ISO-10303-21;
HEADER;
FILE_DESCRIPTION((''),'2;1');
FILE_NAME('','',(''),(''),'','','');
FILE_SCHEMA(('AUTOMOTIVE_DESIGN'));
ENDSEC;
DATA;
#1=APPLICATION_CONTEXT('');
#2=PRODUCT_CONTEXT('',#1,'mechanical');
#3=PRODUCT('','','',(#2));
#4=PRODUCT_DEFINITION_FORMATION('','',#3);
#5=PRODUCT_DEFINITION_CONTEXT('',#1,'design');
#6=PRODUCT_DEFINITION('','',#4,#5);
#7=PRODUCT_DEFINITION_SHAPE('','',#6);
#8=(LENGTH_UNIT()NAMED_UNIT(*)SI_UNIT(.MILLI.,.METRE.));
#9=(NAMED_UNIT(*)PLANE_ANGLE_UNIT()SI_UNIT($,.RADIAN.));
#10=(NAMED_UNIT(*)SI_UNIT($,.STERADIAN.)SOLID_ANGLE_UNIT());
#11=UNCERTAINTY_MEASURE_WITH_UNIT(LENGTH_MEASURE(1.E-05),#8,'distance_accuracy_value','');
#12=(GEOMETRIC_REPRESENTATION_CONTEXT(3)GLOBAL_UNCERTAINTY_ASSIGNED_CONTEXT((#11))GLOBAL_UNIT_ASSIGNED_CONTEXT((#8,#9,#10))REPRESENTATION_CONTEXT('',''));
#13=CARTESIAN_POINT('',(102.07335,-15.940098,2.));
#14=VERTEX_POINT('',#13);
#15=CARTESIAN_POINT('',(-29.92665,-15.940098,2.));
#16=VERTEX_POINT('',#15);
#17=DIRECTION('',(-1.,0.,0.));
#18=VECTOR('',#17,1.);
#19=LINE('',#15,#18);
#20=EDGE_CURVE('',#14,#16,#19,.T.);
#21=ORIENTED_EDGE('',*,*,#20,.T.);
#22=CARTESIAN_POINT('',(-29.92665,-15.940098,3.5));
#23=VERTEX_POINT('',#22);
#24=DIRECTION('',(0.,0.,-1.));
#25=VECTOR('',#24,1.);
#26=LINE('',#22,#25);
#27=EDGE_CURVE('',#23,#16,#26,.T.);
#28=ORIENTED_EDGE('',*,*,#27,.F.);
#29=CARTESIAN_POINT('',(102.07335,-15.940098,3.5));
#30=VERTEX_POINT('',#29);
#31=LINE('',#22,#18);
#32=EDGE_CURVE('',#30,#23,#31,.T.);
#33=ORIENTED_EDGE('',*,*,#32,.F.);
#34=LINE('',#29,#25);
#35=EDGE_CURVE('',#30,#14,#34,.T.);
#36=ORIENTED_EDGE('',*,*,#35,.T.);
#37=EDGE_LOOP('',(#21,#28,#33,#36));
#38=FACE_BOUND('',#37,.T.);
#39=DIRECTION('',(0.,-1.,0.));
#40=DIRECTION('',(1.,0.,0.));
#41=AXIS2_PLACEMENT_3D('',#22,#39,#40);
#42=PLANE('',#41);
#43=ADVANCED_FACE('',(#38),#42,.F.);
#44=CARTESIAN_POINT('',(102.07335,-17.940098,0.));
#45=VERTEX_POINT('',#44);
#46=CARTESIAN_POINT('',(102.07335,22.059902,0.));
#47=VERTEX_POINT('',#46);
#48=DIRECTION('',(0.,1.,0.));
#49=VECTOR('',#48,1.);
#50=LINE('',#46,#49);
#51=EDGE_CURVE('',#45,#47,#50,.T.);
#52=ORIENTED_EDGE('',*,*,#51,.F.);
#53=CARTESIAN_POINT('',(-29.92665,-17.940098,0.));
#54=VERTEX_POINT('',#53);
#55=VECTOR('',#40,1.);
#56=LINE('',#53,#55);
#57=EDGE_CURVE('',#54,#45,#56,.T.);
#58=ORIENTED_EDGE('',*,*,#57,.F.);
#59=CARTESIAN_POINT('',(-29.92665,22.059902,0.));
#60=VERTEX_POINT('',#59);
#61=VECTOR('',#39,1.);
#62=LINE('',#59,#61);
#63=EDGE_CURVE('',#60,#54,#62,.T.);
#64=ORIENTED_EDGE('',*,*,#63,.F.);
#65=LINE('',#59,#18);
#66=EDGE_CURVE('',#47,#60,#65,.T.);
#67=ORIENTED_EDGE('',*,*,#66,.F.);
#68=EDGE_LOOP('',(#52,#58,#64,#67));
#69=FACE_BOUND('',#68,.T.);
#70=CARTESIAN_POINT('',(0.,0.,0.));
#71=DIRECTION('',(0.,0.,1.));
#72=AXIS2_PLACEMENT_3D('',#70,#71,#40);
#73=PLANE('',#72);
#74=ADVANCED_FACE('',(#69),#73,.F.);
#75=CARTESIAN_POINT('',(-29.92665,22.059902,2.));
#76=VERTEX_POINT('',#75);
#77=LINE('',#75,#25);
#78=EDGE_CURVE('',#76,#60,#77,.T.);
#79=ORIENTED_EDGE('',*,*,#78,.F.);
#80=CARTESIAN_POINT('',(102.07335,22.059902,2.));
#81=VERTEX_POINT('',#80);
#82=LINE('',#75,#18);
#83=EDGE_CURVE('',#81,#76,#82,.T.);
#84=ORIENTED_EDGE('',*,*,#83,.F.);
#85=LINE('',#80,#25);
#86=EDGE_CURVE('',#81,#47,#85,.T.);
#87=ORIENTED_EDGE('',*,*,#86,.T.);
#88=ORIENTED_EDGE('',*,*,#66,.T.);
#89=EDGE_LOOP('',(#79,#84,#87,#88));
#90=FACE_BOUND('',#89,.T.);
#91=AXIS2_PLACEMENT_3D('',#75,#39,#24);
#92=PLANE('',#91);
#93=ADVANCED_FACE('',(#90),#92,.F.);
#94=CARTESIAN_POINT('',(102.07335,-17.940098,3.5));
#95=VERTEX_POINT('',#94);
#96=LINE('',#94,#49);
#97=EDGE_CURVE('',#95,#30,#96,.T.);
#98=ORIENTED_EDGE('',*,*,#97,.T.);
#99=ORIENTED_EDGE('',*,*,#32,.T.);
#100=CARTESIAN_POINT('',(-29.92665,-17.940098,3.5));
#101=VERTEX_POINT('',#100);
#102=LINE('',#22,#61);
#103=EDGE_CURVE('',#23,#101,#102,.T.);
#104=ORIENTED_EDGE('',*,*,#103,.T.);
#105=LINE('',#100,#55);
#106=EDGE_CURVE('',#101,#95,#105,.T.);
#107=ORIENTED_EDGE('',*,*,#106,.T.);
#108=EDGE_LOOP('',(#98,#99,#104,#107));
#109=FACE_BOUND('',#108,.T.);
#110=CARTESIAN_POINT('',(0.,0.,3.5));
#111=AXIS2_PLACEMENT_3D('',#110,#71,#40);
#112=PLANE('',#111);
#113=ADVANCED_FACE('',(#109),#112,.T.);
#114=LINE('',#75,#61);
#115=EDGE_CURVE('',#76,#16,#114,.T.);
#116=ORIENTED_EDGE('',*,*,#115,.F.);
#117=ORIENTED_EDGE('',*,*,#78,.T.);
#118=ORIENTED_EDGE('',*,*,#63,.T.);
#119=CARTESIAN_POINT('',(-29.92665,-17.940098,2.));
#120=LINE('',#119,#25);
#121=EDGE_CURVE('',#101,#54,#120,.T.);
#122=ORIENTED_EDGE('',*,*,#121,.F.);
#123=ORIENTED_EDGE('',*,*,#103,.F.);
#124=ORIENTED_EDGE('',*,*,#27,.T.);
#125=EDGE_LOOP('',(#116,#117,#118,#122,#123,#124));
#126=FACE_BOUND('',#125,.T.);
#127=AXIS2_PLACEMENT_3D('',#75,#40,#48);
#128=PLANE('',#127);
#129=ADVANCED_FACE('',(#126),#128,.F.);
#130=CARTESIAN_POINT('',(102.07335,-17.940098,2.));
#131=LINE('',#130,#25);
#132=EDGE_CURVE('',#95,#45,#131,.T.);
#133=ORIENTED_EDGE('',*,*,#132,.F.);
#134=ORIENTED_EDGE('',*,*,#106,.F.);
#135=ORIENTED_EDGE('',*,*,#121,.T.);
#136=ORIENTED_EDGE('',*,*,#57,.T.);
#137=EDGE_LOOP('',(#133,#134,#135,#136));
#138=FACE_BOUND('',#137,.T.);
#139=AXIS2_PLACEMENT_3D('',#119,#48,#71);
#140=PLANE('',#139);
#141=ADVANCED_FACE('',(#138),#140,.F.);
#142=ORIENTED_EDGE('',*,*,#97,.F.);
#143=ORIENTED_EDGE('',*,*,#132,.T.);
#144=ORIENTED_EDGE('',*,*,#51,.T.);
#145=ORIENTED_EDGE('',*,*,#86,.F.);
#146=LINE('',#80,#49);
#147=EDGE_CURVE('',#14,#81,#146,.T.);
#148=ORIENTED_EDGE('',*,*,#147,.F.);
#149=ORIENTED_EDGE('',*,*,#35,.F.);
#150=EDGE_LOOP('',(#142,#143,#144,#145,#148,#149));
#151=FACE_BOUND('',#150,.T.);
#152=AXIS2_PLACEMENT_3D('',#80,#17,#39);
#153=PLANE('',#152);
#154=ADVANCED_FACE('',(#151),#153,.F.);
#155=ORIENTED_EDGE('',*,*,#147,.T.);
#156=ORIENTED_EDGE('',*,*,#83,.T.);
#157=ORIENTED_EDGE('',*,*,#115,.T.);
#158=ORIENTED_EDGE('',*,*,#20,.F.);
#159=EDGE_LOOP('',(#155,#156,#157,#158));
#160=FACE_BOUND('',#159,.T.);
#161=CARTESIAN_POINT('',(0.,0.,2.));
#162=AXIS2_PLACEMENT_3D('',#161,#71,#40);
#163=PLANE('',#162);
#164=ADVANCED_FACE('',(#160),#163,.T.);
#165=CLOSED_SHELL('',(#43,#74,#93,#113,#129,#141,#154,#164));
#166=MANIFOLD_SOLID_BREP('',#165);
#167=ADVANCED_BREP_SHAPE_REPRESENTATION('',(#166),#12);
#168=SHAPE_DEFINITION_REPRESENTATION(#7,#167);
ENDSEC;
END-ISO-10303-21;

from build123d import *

# Parameters (mm, degrees)
SKETCH_1_W      = 132
SKETCH_1_H      = 40
EXTRUDE_1_DEPTH = 2
SKETCH_2_W      = 132
SKETCH_2_H      = 2
EXTRUDE_2_DEPTH = 1.5


with BuildPart() as part:
    # 草图1 → 凸台-拉伸1 (new body)
    with BuildSketch(Plane.XY):
        with Locations((36.073349633, 2.0599022)):
            Rectangle(SKETCH_1_W, SKETCH_1_H)
    extrude(amount=EXTRUDE_1_DEPTH)

    # 草图2 → 凸台-拉伸2 (add)
    with BuildSketch(Plane.XY.offset(2)):
        with Locations((36.073349633, -16.9400978)):
            Rectangle(SKETCH_2_W, SKETCH_2_H)
    extrude(amount=EXTRUDE_2_DEPTH)


solid = part.part
